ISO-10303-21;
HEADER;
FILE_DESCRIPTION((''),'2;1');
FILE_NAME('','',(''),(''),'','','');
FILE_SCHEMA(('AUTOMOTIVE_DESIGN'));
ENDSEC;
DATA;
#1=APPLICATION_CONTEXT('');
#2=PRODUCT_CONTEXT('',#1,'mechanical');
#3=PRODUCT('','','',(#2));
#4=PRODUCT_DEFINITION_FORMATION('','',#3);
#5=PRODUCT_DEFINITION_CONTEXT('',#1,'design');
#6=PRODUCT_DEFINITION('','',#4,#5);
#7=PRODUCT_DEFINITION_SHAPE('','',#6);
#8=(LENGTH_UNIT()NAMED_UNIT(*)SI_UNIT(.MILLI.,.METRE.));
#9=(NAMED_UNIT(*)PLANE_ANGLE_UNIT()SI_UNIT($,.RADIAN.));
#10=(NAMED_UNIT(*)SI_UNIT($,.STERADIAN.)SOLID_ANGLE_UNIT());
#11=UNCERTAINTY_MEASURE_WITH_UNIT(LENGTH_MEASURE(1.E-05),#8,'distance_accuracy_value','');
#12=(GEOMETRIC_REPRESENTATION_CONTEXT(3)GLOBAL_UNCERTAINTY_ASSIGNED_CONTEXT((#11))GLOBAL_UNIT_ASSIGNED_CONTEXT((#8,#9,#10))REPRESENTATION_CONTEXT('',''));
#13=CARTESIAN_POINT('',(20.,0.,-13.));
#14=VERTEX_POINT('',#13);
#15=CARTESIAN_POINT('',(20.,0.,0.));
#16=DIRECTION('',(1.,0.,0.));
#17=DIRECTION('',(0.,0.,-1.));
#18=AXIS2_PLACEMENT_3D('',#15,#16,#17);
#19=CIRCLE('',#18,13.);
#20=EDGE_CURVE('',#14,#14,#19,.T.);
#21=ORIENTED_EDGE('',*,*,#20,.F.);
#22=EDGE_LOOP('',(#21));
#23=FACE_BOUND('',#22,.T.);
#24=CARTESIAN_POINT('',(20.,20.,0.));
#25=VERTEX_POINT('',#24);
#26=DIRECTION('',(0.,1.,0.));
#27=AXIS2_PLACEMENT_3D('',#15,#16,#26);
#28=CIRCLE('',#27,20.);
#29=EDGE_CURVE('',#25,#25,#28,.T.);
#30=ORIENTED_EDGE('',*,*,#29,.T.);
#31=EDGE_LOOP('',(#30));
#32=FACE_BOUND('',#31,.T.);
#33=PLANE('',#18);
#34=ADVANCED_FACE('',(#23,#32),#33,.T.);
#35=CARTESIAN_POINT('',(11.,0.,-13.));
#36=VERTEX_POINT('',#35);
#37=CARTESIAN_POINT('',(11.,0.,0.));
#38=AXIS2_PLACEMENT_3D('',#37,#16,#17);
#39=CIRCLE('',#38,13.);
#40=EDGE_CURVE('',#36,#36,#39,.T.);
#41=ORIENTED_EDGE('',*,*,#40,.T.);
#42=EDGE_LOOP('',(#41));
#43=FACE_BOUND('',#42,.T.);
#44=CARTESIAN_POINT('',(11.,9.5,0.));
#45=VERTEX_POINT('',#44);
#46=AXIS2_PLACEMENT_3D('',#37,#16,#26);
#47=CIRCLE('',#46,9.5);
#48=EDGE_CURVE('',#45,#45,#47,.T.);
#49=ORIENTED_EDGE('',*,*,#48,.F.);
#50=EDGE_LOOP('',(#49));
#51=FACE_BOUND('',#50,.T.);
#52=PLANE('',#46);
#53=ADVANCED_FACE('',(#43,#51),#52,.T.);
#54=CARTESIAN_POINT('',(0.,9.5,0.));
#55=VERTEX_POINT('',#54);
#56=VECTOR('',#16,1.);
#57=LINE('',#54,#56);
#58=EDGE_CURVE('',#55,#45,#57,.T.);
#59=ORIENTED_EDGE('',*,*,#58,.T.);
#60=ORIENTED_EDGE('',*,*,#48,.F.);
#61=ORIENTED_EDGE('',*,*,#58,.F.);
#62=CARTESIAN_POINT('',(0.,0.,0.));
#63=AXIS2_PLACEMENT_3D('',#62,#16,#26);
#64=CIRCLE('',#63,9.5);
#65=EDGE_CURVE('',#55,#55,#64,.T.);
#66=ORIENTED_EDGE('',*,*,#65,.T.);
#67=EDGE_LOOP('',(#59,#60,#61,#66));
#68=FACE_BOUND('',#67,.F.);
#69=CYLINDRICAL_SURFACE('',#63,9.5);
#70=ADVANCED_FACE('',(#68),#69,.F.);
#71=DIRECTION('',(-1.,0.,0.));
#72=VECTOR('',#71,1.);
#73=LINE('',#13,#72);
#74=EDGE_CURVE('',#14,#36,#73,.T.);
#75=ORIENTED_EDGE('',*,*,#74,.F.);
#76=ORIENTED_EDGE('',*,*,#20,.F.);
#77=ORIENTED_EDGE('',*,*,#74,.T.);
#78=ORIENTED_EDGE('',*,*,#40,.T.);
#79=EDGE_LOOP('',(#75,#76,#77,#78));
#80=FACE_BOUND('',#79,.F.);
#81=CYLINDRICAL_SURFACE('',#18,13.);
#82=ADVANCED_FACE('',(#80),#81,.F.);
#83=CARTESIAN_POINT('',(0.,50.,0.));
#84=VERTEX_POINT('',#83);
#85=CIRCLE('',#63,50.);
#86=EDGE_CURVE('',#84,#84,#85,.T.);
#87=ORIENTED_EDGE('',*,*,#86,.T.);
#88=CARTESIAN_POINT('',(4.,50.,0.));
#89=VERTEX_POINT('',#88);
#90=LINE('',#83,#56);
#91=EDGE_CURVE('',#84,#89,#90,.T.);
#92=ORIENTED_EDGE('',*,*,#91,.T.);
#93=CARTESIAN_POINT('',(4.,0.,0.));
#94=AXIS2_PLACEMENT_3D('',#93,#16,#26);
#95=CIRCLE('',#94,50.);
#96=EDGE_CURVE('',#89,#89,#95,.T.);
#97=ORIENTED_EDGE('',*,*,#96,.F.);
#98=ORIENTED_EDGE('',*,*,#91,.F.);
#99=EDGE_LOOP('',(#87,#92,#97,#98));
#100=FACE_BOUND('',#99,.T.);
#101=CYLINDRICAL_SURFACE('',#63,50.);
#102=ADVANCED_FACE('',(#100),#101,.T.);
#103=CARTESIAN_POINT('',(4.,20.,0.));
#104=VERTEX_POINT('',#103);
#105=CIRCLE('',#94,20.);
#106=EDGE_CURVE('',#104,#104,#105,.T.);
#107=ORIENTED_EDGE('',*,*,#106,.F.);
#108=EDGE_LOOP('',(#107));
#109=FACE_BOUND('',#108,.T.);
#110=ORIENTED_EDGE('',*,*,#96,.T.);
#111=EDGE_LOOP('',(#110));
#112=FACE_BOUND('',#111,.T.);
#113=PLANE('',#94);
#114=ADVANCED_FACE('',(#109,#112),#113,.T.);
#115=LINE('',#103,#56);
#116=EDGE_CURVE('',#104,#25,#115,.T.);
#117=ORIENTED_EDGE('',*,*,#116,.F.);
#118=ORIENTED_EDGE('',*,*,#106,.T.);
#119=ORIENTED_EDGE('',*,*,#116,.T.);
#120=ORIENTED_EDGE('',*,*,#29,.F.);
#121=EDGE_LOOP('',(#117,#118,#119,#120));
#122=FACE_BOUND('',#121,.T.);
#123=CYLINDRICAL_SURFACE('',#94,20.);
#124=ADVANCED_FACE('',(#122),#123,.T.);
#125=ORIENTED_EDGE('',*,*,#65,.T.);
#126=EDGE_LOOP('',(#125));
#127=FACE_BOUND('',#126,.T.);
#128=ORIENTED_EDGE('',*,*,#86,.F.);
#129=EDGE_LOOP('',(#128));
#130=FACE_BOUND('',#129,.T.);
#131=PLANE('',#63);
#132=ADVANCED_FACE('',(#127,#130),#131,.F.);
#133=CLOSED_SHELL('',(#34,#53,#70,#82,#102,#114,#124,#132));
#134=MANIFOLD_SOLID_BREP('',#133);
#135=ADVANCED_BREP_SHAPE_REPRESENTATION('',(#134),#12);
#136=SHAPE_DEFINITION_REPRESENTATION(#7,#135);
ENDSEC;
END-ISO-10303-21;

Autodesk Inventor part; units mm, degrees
ref_plane "YZ Plane" through (0, 0, 0) normal (1, 0, 0) x (0, 1, 0)
ref_plane "XZ Plane" through (0, 0, 0) normal (0, 1, 0) x (-1, 0, 0)
ref_plane "XY Plane" through (0, 0, 0) normal (0, 0, 1) x (1, 0, 0)
sketch "Boceto1" plane through (0, 0, 0) normal (0, 0, 1) x (1, 0, 0)
  line L0 (0, 0) -> (24.2042, 0) construction
  line L1 (0, 9.5) -> (11, 9.5)
  line L2 (0, 9.5) -> (0, 50)
  line L3 (0, 50) -> (4, 50)
  line L4 (4, 50) -> (4, 20)
  line L5 (4, 20) -> (20, 20)
  line L6 (20, 20) -> (20, 13.925)
  line L7 (20, 13.925) -> (11, 13.925)
  line L8 (11, 13.925) -> (11, 9.5)
  line L9 (0, 0) -> (0, 63.5344) construction
  line L10 (10.3397, 15) -> (10.3397, 20) construction
  line L11 (10.3397, 20) -> (20, 20) construction
  dimension "d0" = 50
  dimension "d1" = 4
  dimension "d4" = 13.925
  dimension "d10" = 9.5
  dimension "d11" = 9
  dimension "d13" = 20
  dimension "d15" = 20
revolve "Revolución1" add sketch "Boceto1" angle 360 about axis through (0, 0, 0) along (1, 0, 0)
sketch "Sketch2" plane through (20, 0, 0) normal (1, 0, 0) x (0, 0, -1)
  circle A0 centre (0, 0) radius 13
  circle A1 centre (0, 0) radius 13.925 projected
  dimension "d16" = 26
extrude "Extrusion1" add sketch "Sketch2" against normal up to surface (9 mm away)
properties part number "Reel1ACABARMEDIDAS"
